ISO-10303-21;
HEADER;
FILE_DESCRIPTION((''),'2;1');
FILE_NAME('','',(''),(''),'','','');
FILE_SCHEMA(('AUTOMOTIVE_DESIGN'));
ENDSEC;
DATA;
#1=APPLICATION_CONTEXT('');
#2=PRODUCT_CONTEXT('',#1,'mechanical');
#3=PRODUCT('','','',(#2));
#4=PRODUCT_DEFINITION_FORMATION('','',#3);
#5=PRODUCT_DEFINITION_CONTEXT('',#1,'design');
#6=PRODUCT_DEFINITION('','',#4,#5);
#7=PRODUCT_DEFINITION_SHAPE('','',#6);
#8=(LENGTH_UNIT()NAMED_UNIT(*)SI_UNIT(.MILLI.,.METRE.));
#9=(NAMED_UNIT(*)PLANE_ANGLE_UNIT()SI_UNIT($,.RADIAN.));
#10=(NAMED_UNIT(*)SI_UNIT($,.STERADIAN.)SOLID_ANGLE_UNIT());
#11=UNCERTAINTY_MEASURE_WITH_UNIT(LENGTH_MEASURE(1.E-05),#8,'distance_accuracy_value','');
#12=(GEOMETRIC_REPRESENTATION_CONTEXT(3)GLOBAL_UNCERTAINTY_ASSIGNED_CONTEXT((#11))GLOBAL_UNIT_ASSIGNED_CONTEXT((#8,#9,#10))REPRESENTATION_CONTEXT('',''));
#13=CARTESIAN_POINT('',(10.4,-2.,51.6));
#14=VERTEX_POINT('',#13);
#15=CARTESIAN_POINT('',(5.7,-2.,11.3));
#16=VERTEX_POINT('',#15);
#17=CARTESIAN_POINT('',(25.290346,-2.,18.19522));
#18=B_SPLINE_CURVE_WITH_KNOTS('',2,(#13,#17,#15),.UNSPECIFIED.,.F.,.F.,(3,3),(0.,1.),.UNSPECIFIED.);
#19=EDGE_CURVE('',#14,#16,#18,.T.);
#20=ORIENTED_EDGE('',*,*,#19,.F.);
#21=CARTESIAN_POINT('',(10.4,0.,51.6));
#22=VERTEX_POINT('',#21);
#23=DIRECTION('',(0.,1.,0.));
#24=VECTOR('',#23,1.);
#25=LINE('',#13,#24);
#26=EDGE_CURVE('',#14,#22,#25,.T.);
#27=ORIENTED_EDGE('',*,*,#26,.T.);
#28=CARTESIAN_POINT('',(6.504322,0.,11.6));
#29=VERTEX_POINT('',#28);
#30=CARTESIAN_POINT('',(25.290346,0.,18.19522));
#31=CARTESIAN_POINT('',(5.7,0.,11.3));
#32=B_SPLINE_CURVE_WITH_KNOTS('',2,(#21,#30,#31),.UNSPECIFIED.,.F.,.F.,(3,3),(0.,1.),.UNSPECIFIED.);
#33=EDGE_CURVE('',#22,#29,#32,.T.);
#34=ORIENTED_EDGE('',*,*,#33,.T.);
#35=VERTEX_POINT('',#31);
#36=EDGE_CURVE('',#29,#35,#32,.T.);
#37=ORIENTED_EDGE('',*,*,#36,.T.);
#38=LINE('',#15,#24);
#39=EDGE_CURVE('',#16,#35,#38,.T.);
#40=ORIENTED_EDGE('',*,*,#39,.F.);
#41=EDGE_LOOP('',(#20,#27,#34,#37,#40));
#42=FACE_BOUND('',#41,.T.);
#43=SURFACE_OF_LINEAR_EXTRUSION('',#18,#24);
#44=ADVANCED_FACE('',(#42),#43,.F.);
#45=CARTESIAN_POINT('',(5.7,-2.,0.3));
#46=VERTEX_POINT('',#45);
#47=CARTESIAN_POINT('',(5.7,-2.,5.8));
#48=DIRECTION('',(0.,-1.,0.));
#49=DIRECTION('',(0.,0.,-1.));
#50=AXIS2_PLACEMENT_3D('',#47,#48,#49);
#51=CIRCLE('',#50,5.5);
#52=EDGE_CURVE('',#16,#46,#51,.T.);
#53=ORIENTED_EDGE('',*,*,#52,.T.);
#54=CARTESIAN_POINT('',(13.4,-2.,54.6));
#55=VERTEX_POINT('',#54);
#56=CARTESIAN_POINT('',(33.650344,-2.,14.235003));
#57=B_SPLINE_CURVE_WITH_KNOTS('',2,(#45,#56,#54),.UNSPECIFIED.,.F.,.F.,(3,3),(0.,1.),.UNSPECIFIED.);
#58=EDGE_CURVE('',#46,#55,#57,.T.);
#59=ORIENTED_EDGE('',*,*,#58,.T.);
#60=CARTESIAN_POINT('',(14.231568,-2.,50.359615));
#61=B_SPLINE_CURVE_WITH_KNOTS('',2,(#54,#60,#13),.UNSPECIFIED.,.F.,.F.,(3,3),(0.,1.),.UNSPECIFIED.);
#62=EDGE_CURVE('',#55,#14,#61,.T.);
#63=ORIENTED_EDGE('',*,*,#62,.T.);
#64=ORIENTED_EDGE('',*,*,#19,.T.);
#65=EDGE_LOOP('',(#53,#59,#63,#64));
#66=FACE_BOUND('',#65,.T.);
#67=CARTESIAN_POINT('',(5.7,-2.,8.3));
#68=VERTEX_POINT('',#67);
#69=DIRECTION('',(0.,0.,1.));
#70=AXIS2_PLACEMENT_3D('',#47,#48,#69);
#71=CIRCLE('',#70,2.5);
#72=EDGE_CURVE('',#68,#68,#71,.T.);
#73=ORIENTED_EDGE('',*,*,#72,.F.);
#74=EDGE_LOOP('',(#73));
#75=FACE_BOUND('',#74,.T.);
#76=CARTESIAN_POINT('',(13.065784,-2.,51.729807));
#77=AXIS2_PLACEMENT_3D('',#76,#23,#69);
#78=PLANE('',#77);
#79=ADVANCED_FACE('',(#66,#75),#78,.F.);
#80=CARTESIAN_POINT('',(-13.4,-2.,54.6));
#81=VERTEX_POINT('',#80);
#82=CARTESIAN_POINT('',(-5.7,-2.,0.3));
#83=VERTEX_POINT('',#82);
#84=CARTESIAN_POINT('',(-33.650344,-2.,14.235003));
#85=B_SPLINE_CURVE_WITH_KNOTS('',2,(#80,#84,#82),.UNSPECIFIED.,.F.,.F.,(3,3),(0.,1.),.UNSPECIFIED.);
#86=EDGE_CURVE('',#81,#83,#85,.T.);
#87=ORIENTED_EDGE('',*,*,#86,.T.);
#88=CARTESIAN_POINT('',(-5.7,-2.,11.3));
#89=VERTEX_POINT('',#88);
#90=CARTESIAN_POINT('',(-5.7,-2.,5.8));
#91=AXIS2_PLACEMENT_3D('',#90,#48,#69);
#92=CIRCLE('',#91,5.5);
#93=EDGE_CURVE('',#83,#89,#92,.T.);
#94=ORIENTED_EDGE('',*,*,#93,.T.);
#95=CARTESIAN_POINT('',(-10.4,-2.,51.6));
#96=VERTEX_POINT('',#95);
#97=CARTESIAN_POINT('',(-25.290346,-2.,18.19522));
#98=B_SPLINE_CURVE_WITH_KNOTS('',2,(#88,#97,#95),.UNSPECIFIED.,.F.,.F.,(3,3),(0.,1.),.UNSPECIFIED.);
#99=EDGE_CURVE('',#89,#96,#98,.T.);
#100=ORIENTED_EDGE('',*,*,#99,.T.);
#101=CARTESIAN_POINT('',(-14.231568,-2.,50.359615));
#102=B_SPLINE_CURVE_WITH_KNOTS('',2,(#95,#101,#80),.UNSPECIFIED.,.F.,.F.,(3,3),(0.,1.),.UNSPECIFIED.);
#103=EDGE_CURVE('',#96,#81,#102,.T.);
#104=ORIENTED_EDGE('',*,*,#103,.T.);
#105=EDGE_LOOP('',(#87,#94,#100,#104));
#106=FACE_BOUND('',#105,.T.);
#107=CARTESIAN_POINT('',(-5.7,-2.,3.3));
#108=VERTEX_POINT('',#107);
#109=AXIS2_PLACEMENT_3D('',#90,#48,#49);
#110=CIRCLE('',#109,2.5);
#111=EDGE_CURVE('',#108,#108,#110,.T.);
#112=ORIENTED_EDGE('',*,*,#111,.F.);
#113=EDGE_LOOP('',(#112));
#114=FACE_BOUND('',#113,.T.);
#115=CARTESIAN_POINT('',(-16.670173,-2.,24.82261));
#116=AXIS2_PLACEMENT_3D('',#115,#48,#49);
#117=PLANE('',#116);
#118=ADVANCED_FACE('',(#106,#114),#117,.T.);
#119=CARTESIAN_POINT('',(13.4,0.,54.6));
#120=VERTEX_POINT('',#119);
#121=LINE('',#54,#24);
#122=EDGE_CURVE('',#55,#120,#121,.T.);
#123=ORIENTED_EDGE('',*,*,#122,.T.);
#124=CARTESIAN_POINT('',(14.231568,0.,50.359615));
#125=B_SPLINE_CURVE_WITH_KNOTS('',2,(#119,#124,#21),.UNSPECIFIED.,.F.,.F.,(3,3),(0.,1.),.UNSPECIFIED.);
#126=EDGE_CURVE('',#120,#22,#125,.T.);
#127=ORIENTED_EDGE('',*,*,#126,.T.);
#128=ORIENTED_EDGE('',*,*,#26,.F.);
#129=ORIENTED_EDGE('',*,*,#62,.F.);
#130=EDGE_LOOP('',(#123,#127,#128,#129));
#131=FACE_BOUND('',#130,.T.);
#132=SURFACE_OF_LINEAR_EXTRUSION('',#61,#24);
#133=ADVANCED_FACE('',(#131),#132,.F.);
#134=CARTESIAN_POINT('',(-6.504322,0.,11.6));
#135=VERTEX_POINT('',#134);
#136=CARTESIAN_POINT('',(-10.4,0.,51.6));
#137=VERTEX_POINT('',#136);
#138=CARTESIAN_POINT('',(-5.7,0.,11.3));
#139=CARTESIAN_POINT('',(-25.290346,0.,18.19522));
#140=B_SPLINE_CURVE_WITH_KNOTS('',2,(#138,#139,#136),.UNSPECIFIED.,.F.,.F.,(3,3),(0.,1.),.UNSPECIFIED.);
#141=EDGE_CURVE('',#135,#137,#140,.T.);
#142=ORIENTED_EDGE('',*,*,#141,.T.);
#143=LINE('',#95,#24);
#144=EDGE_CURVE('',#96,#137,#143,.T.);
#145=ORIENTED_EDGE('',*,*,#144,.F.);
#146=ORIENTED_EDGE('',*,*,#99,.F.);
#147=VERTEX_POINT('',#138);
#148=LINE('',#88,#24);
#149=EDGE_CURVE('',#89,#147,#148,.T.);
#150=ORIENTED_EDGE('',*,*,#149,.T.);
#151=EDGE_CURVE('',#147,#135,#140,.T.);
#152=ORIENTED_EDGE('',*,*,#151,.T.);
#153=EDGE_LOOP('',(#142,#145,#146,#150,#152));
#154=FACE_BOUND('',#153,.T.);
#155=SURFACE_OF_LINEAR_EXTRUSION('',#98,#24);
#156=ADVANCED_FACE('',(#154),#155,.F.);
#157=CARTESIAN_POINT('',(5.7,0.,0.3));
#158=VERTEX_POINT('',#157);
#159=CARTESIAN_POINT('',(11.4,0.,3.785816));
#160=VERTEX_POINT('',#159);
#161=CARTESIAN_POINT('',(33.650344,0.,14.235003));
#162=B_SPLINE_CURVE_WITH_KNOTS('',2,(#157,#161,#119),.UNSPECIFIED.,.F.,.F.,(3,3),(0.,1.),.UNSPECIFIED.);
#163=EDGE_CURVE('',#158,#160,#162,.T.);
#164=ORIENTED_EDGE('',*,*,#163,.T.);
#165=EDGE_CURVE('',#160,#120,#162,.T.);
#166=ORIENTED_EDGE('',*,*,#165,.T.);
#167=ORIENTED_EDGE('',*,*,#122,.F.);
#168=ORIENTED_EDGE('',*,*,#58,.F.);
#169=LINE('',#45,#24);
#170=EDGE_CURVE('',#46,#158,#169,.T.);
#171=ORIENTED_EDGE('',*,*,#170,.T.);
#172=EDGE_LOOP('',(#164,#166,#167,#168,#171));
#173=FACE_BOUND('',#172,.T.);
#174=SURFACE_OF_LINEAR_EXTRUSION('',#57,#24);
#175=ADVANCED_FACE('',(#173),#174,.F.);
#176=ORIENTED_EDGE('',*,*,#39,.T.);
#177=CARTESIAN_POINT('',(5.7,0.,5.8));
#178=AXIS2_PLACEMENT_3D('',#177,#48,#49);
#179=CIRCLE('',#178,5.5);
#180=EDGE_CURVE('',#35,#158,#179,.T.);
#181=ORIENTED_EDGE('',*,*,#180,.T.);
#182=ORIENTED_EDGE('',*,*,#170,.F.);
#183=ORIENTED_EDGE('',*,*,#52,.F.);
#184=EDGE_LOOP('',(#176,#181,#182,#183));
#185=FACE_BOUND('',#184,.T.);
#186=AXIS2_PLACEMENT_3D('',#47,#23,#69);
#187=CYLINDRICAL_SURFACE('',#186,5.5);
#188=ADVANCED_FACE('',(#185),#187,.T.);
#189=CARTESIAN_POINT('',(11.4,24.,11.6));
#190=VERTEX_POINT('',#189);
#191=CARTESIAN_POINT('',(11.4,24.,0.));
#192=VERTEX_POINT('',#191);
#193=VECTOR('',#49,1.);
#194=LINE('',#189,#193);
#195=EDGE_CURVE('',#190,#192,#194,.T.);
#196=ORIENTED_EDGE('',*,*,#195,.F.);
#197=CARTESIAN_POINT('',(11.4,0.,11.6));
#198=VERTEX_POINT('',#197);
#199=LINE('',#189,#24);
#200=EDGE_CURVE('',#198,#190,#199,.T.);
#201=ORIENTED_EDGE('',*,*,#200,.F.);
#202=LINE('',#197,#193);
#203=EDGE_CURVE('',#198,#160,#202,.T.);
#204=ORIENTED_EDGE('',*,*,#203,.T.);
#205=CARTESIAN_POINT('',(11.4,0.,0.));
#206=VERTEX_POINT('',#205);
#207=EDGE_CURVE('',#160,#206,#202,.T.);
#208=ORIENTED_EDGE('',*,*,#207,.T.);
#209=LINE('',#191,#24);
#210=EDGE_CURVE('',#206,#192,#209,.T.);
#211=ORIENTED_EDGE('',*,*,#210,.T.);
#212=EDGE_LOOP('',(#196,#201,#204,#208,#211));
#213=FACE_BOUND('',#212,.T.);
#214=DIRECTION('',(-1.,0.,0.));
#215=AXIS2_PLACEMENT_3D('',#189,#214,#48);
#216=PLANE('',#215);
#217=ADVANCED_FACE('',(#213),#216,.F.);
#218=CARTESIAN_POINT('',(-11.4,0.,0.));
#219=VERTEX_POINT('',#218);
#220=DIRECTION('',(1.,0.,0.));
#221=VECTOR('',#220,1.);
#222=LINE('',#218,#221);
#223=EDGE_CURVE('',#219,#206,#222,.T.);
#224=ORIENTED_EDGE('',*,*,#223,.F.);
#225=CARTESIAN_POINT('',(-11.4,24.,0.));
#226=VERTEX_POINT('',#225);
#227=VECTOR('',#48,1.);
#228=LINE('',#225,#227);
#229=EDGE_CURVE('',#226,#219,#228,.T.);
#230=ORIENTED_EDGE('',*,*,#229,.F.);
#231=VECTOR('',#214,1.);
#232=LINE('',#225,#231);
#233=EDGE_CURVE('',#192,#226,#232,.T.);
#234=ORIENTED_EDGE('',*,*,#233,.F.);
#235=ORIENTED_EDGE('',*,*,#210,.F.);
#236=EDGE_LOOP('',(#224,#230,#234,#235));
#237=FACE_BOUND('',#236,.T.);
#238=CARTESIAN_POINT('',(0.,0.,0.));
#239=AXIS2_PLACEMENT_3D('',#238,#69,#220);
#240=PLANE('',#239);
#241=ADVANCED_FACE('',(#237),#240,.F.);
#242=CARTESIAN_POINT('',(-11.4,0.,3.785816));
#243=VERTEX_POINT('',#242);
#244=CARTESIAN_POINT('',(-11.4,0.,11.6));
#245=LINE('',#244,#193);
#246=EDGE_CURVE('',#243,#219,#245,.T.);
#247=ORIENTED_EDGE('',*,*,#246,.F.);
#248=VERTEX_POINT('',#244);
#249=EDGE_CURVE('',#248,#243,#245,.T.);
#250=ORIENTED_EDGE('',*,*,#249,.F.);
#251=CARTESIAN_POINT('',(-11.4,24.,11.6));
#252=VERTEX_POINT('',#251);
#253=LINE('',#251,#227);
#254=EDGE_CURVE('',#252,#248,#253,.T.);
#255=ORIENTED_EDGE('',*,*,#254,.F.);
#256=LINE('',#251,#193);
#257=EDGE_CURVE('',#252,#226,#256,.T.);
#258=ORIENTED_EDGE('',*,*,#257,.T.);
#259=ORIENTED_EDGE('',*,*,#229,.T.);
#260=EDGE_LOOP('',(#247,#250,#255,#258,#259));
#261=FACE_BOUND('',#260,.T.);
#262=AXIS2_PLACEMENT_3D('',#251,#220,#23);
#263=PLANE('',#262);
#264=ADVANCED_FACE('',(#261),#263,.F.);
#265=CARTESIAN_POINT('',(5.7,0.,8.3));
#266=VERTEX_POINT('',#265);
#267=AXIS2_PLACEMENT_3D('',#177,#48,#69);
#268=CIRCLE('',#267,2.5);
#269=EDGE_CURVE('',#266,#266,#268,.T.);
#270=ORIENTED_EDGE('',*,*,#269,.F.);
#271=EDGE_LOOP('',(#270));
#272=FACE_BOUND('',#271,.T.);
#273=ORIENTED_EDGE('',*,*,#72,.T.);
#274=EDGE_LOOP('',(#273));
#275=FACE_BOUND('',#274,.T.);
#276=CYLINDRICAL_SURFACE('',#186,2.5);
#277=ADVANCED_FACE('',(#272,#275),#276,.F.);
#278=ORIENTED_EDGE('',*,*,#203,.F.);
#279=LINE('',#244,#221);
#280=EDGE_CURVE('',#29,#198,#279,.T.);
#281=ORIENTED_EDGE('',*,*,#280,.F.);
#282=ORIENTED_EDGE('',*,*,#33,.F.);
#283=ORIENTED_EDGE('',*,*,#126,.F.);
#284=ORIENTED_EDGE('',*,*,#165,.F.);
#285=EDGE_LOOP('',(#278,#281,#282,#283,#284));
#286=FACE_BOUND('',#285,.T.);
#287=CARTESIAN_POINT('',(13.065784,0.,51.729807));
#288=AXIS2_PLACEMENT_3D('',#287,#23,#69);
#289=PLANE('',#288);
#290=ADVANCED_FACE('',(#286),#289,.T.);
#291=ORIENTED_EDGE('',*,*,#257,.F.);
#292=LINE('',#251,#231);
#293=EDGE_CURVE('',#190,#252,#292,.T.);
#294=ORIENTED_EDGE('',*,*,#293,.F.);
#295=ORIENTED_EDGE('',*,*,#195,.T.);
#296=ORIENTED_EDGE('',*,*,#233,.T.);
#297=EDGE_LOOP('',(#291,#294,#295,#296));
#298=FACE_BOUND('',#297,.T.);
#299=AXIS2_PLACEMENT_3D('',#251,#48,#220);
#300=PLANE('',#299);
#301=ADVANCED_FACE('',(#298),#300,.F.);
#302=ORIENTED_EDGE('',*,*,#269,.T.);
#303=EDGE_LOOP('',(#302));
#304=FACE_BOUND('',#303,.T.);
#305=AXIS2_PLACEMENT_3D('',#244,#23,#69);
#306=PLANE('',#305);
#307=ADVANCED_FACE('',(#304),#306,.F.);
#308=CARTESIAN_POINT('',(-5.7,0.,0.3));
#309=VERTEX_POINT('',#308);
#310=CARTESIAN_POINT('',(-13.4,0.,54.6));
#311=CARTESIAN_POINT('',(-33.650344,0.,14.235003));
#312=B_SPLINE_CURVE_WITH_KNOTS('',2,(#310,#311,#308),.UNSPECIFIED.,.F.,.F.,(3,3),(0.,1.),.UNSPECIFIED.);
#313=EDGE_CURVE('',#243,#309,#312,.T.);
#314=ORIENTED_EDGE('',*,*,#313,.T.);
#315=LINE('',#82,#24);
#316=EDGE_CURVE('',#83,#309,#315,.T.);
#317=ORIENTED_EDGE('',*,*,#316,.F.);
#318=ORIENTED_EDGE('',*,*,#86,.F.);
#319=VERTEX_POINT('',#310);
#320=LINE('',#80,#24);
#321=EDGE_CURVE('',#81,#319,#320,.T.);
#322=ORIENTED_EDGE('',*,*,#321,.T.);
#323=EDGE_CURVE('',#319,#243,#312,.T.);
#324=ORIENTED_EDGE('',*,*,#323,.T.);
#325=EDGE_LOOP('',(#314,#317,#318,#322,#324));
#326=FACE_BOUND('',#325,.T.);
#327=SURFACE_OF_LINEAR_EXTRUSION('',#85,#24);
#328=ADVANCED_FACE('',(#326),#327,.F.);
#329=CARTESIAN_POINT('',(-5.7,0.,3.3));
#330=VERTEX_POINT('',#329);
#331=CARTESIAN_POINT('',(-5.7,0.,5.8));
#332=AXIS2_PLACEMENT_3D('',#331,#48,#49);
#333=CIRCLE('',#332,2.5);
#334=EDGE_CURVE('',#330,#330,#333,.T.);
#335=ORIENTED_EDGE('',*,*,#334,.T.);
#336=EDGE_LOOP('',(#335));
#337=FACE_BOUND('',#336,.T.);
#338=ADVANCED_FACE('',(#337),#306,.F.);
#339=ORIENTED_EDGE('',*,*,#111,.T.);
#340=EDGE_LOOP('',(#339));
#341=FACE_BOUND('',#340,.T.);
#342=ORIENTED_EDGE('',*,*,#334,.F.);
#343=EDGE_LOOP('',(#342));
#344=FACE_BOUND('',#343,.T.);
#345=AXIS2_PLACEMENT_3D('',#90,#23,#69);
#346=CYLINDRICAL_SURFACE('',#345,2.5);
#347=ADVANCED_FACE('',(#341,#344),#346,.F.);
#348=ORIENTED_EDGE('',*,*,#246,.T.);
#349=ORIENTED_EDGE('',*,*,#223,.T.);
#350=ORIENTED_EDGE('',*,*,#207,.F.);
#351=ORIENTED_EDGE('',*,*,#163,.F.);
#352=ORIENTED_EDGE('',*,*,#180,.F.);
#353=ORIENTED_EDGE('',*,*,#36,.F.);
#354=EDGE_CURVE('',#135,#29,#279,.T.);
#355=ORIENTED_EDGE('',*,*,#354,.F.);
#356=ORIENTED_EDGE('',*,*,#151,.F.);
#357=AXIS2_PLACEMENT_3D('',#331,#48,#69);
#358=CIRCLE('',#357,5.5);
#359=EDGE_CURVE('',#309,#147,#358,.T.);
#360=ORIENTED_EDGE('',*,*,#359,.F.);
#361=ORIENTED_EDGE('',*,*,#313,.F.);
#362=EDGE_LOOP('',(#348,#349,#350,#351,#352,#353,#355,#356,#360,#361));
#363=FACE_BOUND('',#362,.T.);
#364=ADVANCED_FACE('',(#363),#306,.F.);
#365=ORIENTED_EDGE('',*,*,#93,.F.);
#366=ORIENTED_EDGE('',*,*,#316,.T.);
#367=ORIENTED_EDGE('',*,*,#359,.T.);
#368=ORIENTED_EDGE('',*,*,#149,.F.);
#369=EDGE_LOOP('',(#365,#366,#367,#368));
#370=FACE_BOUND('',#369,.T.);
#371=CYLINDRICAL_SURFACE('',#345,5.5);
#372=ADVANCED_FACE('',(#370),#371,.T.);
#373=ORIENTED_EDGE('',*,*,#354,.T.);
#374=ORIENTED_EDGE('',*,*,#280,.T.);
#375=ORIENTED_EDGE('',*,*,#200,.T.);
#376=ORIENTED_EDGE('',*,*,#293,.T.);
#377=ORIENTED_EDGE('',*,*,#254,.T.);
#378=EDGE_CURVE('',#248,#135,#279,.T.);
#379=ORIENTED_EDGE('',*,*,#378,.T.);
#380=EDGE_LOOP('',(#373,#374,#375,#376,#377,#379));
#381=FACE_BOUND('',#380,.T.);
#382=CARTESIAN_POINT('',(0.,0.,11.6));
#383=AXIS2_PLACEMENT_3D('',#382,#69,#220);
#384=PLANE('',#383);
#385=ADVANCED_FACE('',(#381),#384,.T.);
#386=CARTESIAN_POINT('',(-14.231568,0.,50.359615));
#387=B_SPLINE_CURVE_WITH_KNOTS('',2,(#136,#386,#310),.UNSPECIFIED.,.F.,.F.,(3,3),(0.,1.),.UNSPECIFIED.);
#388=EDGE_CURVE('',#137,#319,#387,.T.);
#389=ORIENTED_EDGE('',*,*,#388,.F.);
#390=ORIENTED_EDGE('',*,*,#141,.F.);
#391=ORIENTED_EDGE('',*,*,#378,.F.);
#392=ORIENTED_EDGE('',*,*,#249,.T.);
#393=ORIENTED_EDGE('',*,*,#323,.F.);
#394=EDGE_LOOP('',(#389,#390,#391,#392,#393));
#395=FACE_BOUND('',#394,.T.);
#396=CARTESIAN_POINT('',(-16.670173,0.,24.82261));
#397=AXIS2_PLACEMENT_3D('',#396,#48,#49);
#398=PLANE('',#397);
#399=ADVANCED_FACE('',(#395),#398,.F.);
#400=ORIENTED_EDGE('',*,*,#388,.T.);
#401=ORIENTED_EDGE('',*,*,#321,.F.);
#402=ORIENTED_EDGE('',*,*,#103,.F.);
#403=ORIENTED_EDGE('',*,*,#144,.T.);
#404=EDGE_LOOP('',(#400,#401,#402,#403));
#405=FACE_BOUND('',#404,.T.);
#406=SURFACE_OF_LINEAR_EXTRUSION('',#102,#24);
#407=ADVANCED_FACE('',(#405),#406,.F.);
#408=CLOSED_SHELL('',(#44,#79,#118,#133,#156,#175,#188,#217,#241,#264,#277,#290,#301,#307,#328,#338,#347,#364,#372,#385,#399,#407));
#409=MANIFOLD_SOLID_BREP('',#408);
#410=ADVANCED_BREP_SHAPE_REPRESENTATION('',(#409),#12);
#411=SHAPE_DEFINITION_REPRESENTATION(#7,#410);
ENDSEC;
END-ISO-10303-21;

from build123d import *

# Parameters (mm, degrees)
CROQUIS1_W              = 22.8
CROQUIS1_H              = 24
SALIENTE_EXTRUIR2_DEPTH = 11.6
CROQUIS2_R              = 2.5
SALIENTE_EXTRUIR3_DEPTH = 2


with BuildPart() as part:
    # Croquis1 → Saliente-Extruir2 (new body)
    with BuildSketch(Plane.XY):
        with Locations((0, 12)):
            Rectangle(CROQUIS1_W, CROQUIS1_H)
    extrude(amount=SALIENTE_EXTRUIR2_DEPTH)

    # Croquis2 → Saliente-Extruir3 (add)
    # profile 1 of 2: a face of its own
    with BuildSketch(Plane.XZ):
        with BuildLine():
            ThreePointArc((-5.7, 11.3), (-0.2, 5.8), (-5.7, 0.3))
            add(Edge.make_bspline(
                [(-13.4, 54.6), (-33.650343632, 14.235003165), (-5.7, 0.3)],
                knots=[0, 0, 0, 1, 1, 1], degree=2))
            add(Edge.make_bspline(
                [(-10.4, 51.6), (-14.231568326, 50.359614524), (-13.4, 54.6)],
                knots=[0, 0, 0, 1, 1, 1], degree=2))
            add(Edge.make_bspline(
                [(-5.7, 11.3), (-25.29034591, 18.195219879), (-10.4, 51.6)],
                knots=[0, 0, 0, 1, 1, 1], degree=2))
        make_face()
        with Locations(Location((-5.7, 5.8, 0), (0, 0, 270))):
            Circle(CROQUIS2_R, mode=Mode.SUBTRACT)
    # profile 2 of 2: a face of its own
    with BuildSketch(Plane.XZ):
        with BuildLine():
            ThreePointArc((5.7, 11.3), (0.2, 5.8), (5.7, 0.3))
            add(Edge.make_bspline(
                [(13.4, 54.6), (33.650343632, 14.235003165), (5.7, 0.3)],
                knots=[0, 0, 0, 1, 1, 1], degree=2))
            add(Edge.make_bspline(
                [(10.4, 51.6), (14.231568326, 50.359614524), (13.4, 54.6)],
                knots=[0, 0, 0, 1, 1, 1], degree=2))
            add(Edge.make_bspline(
                [(5.7, 11.3), (25.29034591, 18.195219879), (10.4, 51.6)],
                knots=[0, 0, 0, 1, 1, 1], degree=2))
        make_face()
        with Locations(Location((5.7, 5.8, 0), (0, 0, 90))):
            Circle(CROQUIS2_R, mode=Mode.SUBTRACT)
    extrude(amount=SALIENTE_EXTRUIR3_DEPTH)


solid = part.part
